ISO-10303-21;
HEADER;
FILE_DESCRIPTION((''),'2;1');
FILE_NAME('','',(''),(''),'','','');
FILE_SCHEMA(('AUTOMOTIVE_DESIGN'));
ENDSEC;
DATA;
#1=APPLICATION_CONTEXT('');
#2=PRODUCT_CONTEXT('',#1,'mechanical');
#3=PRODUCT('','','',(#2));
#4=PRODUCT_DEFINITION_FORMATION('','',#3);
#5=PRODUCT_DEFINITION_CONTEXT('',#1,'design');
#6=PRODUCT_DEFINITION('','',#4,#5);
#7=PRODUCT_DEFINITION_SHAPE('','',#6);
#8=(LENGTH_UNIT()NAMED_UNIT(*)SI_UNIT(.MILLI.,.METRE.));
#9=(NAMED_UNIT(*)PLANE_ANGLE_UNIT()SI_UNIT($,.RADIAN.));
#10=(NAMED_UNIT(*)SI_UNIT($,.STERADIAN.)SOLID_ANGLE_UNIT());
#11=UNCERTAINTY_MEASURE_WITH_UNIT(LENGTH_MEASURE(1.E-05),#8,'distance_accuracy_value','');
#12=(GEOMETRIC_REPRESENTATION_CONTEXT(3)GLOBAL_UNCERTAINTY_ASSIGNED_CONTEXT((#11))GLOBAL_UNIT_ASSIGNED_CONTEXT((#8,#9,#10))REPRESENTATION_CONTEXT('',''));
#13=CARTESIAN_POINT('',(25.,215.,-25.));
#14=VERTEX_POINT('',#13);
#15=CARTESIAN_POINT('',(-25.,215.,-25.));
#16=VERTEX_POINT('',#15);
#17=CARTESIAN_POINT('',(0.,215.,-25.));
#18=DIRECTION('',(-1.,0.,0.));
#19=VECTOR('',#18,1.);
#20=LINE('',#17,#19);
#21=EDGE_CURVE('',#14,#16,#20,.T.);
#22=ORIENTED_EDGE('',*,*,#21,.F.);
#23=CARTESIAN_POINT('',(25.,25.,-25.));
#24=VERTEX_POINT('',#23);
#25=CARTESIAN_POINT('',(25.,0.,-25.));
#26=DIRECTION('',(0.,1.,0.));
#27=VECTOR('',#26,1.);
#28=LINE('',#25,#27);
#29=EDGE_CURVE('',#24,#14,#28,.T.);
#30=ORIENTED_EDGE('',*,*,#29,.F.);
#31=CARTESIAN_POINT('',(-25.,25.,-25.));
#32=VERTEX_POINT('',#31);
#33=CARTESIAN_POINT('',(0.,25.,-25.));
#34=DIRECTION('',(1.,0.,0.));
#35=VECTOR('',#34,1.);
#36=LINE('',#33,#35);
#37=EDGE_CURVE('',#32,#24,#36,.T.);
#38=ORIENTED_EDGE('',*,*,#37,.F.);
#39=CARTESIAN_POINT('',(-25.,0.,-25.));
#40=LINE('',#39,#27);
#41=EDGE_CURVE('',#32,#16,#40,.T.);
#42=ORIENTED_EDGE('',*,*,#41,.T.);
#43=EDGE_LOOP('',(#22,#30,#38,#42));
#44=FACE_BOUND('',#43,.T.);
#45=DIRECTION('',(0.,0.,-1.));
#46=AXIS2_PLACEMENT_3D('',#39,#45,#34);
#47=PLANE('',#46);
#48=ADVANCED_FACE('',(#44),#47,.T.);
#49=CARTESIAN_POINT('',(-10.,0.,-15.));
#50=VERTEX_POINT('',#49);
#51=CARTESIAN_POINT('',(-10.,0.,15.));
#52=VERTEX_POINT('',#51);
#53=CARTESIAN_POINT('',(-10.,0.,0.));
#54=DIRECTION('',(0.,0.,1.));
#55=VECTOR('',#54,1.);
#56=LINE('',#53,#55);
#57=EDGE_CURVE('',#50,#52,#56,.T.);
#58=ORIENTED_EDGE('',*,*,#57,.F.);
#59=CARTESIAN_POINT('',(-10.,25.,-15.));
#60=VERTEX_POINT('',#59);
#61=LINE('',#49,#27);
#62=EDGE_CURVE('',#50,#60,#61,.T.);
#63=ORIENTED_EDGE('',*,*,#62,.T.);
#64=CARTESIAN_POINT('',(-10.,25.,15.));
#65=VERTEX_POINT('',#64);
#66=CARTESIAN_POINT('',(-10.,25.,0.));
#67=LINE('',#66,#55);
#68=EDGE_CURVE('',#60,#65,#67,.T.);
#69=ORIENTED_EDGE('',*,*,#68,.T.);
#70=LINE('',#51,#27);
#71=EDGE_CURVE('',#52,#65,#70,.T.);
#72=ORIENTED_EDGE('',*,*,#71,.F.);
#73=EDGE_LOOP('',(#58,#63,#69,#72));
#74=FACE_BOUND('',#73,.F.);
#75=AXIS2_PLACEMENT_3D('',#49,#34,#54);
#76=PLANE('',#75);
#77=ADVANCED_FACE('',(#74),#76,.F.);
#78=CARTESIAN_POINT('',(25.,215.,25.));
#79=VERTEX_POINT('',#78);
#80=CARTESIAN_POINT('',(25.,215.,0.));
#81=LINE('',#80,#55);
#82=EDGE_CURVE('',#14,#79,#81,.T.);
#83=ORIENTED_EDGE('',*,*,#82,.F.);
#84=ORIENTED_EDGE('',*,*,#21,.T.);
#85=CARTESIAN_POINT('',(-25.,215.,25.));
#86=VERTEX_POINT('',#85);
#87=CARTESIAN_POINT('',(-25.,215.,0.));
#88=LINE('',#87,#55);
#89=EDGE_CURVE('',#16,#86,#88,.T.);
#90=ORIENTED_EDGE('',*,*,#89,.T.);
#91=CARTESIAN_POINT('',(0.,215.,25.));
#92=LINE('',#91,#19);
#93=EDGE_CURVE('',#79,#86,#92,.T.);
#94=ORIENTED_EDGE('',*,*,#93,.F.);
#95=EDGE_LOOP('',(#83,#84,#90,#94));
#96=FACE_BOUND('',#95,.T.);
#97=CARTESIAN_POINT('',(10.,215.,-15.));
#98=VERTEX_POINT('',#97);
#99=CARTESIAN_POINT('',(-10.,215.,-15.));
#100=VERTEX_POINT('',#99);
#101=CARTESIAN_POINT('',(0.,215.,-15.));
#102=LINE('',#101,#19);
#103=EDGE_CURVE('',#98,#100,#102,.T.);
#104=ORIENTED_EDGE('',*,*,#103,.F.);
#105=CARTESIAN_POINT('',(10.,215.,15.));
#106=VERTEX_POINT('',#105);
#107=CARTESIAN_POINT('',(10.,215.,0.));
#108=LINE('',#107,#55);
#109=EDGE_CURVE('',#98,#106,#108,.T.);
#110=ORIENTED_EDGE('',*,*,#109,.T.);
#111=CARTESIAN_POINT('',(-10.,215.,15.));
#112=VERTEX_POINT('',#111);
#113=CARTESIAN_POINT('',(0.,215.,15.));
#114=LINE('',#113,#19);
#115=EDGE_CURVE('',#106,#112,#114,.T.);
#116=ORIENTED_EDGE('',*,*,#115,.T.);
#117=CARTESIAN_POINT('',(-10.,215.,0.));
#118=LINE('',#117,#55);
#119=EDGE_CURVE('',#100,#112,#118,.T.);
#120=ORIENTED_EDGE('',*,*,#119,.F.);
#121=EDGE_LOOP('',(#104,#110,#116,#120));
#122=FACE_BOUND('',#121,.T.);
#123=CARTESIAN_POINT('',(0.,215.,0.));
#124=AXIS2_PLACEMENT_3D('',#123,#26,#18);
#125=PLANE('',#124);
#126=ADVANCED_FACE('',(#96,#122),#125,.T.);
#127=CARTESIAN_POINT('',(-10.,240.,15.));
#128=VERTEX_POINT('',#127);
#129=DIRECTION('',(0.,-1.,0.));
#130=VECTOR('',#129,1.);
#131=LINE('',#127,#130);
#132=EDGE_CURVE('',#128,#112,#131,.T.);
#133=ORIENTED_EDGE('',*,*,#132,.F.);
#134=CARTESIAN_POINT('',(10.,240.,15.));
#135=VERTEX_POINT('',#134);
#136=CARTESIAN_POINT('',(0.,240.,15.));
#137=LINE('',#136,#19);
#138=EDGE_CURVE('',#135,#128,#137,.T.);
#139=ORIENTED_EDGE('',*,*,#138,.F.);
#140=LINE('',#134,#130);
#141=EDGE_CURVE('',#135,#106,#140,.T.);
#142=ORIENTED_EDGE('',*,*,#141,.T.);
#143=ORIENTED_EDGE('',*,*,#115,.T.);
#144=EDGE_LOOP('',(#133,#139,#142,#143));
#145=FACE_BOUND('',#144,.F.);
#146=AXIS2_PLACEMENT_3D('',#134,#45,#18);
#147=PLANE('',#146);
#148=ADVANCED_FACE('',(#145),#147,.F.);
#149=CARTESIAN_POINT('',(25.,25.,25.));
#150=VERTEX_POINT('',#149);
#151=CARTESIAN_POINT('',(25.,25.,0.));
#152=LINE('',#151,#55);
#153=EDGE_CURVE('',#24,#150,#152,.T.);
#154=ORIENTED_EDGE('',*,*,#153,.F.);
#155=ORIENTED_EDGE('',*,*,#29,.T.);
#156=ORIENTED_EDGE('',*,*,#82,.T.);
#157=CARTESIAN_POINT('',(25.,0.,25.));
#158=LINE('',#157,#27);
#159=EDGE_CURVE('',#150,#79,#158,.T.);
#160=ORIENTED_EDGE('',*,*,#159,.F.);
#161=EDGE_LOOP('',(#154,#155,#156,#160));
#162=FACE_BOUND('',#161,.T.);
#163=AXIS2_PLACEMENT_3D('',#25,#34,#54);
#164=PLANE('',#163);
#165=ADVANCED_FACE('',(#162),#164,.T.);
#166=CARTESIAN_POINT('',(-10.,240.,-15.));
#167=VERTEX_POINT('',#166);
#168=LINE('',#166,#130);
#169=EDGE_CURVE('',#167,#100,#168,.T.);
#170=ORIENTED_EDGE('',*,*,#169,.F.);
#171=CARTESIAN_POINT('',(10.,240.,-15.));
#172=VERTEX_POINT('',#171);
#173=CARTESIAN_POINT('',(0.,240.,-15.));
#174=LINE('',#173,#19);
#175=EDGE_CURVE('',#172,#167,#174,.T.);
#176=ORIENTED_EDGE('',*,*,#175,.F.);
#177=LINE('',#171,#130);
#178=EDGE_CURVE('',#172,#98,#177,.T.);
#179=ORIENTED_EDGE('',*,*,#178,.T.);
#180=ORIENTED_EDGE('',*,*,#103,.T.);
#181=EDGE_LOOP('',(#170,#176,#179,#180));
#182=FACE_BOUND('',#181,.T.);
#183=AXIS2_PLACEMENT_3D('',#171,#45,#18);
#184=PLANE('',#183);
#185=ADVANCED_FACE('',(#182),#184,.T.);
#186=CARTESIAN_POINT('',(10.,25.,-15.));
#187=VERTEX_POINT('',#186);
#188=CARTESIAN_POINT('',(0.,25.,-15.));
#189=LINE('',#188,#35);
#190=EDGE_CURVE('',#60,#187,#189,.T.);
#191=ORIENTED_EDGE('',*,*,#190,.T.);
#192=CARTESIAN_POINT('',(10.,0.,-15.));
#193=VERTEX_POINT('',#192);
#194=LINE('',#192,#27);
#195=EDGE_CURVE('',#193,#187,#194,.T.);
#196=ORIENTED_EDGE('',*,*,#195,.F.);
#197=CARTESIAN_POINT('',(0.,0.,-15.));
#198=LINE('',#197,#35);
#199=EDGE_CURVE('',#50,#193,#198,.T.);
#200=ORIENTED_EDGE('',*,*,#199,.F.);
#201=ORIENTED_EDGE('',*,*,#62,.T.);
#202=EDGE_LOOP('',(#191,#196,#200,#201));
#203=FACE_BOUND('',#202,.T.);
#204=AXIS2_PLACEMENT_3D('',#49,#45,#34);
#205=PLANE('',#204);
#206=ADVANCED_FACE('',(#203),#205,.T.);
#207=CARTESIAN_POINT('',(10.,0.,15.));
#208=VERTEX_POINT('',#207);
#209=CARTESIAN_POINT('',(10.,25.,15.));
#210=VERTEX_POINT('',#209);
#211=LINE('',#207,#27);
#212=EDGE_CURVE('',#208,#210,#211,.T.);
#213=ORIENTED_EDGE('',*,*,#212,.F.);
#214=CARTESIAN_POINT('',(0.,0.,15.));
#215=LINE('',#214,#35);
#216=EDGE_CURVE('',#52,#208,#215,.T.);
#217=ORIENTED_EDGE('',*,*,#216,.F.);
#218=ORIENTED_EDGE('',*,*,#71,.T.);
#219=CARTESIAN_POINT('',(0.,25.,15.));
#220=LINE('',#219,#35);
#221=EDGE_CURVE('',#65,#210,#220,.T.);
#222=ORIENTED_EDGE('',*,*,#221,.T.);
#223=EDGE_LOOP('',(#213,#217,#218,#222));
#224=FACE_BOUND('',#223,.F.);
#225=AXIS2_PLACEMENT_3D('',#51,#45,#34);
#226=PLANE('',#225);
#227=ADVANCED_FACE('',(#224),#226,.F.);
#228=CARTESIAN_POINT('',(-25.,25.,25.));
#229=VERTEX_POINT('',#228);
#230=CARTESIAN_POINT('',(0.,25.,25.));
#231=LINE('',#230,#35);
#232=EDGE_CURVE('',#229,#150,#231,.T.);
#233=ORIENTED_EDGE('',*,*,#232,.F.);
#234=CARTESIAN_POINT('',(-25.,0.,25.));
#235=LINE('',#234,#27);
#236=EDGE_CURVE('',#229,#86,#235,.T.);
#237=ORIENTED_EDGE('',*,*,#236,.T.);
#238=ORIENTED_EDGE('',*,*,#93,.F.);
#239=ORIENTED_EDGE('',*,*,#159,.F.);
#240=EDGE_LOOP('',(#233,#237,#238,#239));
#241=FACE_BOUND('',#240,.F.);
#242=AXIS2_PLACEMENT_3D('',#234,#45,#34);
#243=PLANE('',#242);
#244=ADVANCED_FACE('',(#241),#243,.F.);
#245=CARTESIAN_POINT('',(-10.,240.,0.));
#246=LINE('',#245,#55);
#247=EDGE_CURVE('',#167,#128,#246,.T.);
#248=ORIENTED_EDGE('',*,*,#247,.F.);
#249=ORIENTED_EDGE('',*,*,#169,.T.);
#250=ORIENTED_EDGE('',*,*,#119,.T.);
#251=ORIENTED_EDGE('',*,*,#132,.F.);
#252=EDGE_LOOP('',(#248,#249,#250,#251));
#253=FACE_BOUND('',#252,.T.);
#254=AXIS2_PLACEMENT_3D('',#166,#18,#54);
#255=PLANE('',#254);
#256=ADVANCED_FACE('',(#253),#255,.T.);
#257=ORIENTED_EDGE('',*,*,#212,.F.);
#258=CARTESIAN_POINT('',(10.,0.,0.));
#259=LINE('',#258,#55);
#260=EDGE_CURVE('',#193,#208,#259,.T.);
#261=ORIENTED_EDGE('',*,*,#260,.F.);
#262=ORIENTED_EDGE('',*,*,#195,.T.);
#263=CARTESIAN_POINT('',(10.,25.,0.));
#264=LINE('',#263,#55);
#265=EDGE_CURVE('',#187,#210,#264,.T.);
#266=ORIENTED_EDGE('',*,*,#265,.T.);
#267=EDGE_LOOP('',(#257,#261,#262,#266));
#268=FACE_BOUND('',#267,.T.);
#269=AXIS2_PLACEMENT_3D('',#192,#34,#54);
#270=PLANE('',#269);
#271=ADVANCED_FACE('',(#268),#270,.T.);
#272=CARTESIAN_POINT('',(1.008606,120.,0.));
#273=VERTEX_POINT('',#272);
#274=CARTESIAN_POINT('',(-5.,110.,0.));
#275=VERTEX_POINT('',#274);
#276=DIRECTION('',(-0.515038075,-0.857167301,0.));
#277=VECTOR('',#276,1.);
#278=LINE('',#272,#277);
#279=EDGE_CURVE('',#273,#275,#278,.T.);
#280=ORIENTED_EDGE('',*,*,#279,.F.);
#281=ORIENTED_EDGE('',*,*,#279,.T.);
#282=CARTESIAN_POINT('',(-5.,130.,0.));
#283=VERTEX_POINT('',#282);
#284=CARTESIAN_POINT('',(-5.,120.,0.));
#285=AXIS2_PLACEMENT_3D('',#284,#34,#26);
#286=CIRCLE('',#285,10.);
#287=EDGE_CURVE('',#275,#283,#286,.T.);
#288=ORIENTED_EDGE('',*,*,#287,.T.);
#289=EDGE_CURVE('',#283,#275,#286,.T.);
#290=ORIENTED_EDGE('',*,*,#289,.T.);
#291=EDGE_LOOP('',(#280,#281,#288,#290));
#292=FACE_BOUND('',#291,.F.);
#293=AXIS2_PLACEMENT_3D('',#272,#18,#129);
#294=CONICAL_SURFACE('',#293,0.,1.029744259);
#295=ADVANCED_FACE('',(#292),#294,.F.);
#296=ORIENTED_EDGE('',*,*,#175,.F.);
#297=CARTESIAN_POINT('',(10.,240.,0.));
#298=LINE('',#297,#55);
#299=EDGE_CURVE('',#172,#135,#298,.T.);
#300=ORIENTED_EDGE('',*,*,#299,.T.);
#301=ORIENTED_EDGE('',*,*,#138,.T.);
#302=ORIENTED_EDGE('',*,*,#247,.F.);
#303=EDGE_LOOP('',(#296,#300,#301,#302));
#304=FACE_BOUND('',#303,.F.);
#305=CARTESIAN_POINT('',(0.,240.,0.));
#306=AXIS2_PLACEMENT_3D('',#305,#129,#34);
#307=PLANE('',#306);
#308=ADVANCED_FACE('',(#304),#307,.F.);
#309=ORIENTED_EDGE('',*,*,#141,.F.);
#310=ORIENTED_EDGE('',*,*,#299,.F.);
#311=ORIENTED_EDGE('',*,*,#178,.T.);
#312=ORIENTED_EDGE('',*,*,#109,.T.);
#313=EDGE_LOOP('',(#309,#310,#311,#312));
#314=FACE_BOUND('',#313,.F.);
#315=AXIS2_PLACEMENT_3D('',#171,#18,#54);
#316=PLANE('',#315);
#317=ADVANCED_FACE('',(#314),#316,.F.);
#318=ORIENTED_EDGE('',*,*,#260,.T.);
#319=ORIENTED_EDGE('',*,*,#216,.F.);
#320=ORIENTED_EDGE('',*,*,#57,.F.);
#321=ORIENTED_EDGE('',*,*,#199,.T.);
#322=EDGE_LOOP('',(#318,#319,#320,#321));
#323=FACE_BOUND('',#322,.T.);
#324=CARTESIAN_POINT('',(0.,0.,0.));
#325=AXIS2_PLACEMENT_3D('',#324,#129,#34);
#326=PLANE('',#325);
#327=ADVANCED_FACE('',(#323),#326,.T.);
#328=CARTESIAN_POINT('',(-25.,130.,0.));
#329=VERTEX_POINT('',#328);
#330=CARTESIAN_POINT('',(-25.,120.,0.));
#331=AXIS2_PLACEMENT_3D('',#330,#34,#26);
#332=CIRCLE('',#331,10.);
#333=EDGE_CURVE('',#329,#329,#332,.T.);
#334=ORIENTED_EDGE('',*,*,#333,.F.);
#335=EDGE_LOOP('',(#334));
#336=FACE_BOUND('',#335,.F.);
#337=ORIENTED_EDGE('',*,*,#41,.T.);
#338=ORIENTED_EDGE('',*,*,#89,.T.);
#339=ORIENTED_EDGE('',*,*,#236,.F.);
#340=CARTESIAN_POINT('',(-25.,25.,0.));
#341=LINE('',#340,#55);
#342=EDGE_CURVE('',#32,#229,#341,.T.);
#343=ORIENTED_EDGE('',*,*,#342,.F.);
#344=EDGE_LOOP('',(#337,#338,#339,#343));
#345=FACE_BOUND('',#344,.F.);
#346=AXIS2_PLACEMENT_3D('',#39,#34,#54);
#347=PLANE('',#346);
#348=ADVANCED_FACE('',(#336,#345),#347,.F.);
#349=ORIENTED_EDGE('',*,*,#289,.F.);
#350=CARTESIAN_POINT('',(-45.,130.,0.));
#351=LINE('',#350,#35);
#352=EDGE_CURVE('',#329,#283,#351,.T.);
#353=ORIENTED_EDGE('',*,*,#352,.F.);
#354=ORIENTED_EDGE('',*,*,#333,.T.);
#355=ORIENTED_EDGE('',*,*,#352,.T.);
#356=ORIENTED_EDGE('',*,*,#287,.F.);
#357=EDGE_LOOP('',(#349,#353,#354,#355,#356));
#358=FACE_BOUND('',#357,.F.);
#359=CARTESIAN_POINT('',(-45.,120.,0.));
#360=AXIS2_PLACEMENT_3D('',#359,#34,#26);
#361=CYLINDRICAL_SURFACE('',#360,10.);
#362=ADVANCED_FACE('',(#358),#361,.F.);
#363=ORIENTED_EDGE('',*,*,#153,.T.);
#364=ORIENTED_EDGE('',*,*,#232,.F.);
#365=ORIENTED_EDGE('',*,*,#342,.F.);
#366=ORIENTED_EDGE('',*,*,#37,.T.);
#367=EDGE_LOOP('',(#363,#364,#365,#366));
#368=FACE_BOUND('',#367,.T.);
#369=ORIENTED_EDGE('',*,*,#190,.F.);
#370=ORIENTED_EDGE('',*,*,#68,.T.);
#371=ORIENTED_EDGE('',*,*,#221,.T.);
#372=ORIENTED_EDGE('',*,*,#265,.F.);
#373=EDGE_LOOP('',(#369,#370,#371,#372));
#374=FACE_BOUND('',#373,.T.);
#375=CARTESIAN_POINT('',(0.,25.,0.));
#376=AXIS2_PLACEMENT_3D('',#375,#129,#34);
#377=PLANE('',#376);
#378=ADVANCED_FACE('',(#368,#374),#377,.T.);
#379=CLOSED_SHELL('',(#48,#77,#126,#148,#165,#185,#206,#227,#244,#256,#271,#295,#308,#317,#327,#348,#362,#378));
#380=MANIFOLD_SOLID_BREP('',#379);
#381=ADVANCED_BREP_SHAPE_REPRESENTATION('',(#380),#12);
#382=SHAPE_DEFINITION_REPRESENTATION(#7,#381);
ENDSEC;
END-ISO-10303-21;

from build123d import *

# Parameters (mm, degrees)
F0_W     = 50
F0_H     = 50
F0_W_2   = 20
F0_H_2   = 30
F1_DEPTH = 240
F2_DEPTH = 25
F3_W     = 50
F3_H     = 50
F3_W_2   = 20
F3_H_2   = 30
F4_DEPTH = 25
F6_D     = 20
F6_DEPTH = 20
F6_TIP   = 6.0086061903


with BuildPart() as f1:
    # F0 (on Front) → F1 (new body)
    with BuildSketch(Plane.XZ):
        Rectangle(F0_W, F0_H)
        Rectangle(F0_W_2, F0_H_2, mode=Mode.SUBTRACT)
        Rectangle(F0_W_2, F0_H_2)
    extrude(amount=-F1_DEPTH)

    # F0 (on Front) → F2 (cut)
    with BuildSketch(Plane.XZ):
        Rectangle(F0_W, F0_H)
        Rectangle(F0_W_2, F0_H_2, mode=Mode.SUBTRACT)
    extrude(amount=-F2_DEPTH, mode=Mode.SUBTRACT)

    # F3 (on face) → F4 (cut)
    with BuildSketch(Plane(origin=(0, 240, 0), x_dir=(-1, 0, 0), z_dir=(0, 1, 0))):
        Rectangle(F3_W, F3_H)
        Rectangle(F3_W_2, F3_H_2, mode=Mode.SUBTRACT)
    extrude(amount=-F4_DEPTH, mode=Mode.SUBTRACT)

    # F6
    with Locations(Plane(origin=(-25, 0, 0), x_dir=(0, -1, 0), z_dir=(-1, 0, 0))):
        with Locations((-120, 0)):
            Hole(F6_D / 2, depth=F6_DEPTH)
            with Locations((0, 0, -(F6_DEPTH + F6_TIP / 2))):  # 118° drill point
                Cone(0, F6_D / 2, F6_TIP, mode=Mode.SUBTRACT)


solid = f1.part
